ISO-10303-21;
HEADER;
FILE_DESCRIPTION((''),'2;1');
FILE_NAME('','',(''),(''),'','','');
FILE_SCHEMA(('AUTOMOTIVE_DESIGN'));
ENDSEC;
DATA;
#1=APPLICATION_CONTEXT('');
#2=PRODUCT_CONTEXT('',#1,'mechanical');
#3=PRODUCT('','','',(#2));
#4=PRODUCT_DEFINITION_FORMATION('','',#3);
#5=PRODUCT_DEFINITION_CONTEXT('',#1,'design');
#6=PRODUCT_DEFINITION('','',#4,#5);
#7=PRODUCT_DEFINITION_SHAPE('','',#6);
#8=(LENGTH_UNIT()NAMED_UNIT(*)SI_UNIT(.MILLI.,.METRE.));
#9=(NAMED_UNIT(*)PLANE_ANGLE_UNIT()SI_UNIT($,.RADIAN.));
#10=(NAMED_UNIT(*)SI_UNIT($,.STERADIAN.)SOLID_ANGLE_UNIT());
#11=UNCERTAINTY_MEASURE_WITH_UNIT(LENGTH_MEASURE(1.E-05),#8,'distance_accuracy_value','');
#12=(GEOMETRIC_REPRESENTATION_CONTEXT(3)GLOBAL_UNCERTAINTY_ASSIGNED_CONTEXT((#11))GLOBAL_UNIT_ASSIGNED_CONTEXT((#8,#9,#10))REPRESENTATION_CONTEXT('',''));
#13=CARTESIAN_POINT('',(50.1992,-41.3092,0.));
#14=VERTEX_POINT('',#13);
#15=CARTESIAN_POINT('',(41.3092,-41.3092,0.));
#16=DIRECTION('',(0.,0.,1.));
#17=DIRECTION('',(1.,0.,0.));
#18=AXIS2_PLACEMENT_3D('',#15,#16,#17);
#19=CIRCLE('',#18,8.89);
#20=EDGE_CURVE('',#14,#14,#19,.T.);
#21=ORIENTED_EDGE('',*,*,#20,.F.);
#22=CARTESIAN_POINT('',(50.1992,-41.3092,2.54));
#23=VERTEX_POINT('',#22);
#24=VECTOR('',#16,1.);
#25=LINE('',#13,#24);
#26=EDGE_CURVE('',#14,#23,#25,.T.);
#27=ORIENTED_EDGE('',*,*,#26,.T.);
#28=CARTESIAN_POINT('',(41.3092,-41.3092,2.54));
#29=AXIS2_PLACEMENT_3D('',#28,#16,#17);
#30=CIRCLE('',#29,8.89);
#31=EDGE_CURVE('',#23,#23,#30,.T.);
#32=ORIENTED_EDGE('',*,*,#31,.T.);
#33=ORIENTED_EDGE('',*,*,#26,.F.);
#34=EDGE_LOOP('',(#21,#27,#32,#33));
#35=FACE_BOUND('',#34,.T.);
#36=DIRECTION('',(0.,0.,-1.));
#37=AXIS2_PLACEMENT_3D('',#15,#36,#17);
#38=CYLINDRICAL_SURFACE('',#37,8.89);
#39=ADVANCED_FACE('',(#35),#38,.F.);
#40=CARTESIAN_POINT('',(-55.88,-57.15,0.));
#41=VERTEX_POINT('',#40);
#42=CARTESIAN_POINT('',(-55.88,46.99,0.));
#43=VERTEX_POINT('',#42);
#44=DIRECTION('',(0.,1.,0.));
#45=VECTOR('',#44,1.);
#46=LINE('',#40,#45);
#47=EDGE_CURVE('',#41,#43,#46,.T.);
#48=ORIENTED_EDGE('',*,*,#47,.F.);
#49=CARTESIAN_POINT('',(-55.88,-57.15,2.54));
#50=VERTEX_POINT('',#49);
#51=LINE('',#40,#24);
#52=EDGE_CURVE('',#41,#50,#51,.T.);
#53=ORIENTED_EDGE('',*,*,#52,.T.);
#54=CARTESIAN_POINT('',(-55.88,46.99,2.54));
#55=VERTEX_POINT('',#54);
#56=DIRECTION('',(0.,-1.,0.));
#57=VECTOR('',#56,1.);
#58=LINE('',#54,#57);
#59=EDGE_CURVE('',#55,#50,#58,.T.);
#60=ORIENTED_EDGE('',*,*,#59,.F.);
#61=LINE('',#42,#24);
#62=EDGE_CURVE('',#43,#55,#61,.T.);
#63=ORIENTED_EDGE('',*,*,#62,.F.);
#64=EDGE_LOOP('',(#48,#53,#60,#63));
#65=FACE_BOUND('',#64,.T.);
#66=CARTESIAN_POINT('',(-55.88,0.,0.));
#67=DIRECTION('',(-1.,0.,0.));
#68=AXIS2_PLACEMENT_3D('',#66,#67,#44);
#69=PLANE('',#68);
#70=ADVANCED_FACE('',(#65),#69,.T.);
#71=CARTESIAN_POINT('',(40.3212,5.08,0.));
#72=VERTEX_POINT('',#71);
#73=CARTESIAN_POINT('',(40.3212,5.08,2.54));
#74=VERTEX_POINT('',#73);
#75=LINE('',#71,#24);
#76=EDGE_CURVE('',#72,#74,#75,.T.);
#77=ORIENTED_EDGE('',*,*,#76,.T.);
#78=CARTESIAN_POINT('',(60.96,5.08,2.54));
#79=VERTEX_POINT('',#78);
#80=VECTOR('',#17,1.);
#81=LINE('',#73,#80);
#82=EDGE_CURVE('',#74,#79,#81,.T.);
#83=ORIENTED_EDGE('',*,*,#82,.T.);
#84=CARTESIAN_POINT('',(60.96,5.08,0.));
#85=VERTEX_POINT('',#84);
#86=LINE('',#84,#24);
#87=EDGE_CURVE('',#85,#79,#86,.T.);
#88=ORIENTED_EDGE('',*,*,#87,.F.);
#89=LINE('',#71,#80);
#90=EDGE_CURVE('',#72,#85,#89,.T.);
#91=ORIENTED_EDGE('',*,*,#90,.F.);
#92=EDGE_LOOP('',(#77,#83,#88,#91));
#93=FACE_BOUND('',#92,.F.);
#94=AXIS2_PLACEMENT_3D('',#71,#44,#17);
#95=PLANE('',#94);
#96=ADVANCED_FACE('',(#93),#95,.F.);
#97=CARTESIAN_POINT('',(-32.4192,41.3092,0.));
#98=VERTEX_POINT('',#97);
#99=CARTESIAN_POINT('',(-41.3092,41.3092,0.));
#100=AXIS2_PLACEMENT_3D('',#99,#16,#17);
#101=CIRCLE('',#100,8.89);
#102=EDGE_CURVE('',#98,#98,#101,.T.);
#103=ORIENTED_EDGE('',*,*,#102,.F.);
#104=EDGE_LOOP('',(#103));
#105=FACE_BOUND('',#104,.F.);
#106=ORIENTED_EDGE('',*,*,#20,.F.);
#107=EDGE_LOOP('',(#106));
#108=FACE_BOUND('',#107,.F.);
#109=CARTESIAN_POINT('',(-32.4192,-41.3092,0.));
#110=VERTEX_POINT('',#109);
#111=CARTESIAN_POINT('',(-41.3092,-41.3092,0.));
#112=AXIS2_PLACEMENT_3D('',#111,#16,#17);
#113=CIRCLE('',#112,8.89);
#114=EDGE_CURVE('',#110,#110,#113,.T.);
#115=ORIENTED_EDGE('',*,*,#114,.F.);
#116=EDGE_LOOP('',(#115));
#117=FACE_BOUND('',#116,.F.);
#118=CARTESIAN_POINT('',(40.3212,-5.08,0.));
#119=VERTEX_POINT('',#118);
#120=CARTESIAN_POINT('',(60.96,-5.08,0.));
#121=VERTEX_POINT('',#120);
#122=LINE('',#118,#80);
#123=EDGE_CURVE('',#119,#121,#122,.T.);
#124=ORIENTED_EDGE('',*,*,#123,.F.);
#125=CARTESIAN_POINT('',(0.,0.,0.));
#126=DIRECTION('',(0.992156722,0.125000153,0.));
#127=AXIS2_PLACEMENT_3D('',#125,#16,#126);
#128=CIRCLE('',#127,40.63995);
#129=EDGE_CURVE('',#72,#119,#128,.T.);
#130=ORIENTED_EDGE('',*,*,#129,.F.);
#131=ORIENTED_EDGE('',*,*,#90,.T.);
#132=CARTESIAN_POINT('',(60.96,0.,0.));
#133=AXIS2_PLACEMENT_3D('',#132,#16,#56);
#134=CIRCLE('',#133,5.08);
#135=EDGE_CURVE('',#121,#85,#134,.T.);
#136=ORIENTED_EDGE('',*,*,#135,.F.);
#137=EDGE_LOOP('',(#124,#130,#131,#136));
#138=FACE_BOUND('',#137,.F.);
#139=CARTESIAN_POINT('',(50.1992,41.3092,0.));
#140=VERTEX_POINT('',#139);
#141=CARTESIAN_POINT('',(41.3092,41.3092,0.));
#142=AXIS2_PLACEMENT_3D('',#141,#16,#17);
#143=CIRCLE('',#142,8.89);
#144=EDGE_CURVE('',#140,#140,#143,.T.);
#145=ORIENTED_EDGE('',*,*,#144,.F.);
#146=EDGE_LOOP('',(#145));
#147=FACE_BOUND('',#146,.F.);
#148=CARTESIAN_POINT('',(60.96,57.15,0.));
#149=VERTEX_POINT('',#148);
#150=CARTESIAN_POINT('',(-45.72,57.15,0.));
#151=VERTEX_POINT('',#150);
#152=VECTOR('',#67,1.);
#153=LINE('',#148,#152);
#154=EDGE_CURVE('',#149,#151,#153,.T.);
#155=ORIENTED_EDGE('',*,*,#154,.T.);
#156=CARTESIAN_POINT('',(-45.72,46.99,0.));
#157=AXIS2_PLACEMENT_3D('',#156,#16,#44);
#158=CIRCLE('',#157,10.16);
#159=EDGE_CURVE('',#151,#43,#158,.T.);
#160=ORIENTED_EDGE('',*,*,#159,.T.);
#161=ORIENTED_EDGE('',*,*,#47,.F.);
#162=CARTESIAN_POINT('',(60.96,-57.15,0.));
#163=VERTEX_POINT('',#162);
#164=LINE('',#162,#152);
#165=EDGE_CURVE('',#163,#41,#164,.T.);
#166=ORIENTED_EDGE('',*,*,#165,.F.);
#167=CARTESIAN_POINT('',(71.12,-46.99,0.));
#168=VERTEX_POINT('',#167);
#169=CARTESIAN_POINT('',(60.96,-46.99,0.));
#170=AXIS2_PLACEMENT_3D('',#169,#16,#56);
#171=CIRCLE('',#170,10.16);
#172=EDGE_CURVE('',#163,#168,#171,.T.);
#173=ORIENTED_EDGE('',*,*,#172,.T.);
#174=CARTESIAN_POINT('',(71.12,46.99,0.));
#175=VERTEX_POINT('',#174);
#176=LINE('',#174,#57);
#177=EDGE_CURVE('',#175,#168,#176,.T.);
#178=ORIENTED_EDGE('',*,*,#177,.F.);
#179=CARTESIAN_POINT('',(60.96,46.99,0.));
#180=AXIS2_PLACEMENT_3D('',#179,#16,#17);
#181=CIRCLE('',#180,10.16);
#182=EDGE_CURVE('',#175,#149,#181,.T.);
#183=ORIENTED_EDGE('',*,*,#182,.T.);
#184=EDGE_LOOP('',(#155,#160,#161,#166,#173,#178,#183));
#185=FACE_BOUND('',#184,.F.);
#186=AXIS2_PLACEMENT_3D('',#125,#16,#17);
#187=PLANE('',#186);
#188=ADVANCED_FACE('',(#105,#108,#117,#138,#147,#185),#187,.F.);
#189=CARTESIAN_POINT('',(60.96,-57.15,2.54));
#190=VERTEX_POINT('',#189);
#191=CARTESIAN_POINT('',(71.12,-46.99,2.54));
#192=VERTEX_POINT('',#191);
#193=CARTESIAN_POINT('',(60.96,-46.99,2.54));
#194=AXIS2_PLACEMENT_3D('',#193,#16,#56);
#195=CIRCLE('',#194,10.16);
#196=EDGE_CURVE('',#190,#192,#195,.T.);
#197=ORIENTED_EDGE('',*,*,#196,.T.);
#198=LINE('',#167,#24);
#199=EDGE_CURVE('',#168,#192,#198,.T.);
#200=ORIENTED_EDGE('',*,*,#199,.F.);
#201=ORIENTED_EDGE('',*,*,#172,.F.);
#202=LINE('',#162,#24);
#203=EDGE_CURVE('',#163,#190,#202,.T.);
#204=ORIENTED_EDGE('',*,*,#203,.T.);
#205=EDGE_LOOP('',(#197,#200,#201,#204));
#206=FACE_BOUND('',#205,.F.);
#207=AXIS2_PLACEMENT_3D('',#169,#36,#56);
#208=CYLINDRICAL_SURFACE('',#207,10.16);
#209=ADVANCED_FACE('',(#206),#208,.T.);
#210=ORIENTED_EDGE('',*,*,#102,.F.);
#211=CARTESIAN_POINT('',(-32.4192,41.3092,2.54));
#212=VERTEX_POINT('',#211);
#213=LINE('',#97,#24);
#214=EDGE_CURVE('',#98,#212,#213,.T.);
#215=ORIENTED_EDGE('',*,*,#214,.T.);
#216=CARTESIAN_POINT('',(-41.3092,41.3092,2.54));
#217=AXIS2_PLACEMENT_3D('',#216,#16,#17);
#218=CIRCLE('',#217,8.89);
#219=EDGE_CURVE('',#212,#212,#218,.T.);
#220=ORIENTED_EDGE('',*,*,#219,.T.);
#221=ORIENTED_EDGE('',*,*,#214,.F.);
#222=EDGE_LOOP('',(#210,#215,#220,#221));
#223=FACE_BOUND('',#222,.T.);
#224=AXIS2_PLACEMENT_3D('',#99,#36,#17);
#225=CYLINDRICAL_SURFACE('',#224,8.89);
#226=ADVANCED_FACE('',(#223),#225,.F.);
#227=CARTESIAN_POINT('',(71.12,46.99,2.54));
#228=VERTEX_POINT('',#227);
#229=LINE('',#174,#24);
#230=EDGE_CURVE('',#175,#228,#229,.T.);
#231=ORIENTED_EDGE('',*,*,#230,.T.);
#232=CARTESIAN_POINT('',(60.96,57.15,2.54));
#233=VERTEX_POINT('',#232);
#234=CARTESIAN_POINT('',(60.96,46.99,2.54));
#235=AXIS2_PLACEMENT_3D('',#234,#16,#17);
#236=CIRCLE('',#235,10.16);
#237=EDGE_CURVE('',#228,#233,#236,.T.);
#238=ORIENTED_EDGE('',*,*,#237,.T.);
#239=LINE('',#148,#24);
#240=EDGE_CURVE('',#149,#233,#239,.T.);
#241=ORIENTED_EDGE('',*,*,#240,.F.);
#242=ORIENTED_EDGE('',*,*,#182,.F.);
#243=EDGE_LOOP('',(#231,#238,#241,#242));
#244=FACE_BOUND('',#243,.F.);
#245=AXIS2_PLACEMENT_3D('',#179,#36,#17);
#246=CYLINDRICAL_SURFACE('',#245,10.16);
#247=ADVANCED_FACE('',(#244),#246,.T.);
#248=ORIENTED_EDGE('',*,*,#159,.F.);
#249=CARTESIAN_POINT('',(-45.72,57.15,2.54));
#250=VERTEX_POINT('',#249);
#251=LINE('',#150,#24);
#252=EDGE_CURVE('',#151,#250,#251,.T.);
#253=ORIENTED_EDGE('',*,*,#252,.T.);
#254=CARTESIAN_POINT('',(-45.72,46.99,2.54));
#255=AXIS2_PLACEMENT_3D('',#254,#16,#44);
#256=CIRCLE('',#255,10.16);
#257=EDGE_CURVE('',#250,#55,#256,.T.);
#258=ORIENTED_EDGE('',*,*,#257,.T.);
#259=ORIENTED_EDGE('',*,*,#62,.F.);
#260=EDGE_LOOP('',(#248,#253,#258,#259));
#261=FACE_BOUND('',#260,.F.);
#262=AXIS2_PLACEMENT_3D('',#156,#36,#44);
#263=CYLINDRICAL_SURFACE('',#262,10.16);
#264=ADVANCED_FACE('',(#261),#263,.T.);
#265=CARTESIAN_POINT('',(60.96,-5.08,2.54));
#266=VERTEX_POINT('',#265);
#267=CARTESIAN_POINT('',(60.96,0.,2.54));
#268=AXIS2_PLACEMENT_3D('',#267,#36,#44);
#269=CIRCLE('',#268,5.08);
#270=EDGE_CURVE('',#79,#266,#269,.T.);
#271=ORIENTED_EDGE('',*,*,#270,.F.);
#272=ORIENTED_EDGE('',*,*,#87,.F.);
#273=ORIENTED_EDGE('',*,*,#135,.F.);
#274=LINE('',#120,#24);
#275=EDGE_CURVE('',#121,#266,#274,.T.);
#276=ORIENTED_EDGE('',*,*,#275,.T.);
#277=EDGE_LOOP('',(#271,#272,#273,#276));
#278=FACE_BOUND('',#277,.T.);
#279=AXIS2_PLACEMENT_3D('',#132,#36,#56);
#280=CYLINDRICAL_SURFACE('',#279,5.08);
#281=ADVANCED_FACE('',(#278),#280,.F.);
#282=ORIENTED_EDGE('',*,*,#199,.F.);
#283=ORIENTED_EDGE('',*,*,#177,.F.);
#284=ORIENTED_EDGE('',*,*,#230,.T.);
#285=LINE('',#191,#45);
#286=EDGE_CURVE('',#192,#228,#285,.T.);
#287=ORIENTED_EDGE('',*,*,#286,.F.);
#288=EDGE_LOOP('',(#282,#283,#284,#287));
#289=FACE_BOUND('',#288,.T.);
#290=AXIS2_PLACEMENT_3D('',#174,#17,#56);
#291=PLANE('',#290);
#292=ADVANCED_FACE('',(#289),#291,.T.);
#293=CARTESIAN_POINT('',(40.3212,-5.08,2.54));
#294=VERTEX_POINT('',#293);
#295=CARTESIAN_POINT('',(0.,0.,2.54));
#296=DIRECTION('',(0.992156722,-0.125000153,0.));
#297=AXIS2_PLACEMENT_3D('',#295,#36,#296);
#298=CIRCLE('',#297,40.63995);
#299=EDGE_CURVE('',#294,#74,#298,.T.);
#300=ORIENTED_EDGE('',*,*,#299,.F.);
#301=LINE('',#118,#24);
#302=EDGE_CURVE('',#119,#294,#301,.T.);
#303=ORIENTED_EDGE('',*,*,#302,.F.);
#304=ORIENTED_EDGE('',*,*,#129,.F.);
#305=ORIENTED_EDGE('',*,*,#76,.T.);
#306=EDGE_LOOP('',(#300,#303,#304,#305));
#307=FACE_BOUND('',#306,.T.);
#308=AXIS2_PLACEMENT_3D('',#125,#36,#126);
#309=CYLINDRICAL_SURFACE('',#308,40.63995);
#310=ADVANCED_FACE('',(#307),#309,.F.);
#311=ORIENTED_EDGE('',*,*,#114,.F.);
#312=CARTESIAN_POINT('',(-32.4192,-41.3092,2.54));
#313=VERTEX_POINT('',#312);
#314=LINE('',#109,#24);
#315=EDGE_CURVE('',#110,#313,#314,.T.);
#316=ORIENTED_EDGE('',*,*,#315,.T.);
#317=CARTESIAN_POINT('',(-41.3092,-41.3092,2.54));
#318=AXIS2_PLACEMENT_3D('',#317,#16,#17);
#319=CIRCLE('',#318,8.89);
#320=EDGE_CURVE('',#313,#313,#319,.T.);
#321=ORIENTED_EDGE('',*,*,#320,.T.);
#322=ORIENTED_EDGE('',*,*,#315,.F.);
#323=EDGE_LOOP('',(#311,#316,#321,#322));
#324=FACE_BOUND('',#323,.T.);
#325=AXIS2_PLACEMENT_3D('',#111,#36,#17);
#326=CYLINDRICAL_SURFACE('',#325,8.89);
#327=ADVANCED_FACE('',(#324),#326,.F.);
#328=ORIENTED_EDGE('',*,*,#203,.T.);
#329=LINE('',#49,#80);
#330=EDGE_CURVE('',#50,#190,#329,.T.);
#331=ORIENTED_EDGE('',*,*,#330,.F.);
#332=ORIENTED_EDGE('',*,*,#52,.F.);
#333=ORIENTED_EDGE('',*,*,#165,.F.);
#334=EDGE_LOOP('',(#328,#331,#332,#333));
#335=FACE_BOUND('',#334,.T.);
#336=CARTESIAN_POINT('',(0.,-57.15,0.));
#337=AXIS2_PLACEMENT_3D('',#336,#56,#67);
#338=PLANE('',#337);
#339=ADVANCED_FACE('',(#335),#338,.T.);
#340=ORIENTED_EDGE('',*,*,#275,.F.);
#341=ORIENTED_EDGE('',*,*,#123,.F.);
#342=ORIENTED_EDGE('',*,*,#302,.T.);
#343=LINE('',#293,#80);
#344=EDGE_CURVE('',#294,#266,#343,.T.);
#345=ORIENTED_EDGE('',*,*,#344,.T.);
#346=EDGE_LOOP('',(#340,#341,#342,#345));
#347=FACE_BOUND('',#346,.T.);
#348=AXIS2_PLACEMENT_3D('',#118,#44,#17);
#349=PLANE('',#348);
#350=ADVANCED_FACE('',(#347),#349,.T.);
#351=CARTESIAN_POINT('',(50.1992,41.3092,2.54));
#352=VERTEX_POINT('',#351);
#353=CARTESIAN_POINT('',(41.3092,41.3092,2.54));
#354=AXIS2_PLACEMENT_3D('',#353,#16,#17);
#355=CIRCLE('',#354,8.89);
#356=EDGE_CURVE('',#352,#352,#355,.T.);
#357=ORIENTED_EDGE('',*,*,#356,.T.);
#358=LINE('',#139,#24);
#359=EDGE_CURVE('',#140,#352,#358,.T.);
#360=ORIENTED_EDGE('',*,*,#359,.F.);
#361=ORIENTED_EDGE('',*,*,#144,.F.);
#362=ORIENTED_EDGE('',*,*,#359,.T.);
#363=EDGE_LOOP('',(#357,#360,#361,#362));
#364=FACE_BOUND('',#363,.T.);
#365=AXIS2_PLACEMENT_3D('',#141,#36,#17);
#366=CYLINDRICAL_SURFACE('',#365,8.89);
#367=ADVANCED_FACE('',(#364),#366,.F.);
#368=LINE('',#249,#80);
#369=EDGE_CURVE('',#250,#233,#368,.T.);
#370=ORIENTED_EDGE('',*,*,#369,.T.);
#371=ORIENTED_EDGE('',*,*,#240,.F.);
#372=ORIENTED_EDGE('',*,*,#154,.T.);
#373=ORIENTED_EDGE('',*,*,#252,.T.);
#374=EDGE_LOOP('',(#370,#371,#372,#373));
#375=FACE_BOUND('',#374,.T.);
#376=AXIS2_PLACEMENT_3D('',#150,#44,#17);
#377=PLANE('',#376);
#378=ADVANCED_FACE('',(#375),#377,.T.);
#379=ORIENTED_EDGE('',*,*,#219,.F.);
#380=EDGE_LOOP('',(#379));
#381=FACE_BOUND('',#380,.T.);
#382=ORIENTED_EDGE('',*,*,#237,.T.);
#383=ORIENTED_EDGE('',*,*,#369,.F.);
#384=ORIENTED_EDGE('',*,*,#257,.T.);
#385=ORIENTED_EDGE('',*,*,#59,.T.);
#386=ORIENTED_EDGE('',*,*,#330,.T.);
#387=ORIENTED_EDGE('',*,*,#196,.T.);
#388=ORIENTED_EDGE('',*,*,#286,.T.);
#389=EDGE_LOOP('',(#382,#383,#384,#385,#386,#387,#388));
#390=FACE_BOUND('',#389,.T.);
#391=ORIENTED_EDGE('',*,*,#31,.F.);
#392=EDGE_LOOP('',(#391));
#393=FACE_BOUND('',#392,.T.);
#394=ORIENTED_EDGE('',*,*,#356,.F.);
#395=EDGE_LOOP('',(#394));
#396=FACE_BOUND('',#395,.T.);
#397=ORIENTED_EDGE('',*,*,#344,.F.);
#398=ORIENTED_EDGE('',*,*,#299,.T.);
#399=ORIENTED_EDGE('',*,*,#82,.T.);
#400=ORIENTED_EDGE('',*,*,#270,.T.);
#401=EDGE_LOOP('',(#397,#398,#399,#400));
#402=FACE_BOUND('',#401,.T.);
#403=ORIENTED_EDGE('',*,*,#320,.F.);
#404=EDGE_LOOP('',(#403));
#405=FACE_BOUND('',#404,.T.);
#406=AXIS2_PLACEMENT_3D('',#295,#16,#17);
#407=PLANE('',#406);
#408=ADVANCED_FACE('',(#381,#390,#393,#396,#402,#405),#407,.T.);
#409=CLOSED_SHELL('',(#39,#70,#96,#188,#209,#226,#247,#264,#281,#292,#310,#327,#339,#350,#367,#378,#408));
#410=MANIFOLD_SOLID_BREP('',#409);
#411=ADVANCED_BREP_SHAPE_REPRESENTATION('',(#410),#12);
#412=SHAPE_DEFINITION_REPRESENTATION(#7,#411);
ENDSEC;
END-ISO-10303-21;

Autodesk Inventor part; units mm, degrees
ref_plane "YZ Plane" through (0, 0, 0) normal (1, 0, 0) x (0, 1, 0)
ref_plane "XZ Plane" through (0, 0, 0) normal (0, 1, 0) x (-1, 0, 0)
ref_plane "XY Plane" through (0, 0, 0) normal (0, 0, 1) x (1, 0, 0)
sketch "Sketch1" plane through (0, 0, 0) normal (0, 0, 1) x (1, 0, 0)
  line L0 (-45.72, 57.15) -> (60.96, 57.15)
  line L1 (71.12, 46.99) -> (71.12, -46.99)
  line L2 (60.96, -57.15) -> (-55.88, -57.15)
  line L3 (-55.88, -57.15) -> (-55.88, 46.99)
  line L4 (-84.7488, 0) -> (99.553, 0) projected
  line L5 (0, -82.9559) -> (0, 82.9559) projected
  arc A0 (40.3212, 5.08) -> (40.3212, -5.08) centre (0, 0) ccw
  circle A1 centre (0, 0) radius 58.42 construction
  arc A2 (-45.72, 57.15) -> (-55.88, 46.99) centre (-45.72, 46.99) ccw
  arc A3 (71.12, 46.99) -> (60.96, 57.15) centre (60.96, 46.99) ccw
  arc A4 (60.96, -57.15) -> (71.12, -46.99) centre (60.96, -46.99) ccw
  line L6 (0, 0) -> (-50.4247, 50.4247) construction
  circle A5 centre (-41.3092, 41.3092) radius 8.89
  line L7 (0, 0) -> (-50.4247, -50.4247) construction
  circle A6 centre (-41.3092, -41.3092) radius 8.89
  line L8 (0, 0) -> (50.4247, -50.4247) construction
  circle A7 centre (41.3092, -41.3092) radius 8.89
  line L9 (0, 0) -> (50.4247, 50.4247) construction
  circle A8 centre (41.3092, 41.3092) radius 8.89
  arc A9 (60.96, -5.08) -> (60.96, 5.08) centre (60.96, 0) ccw
  line L10 (40.3212, 5.08) -> (60.96, 5.08)
  line L11 (40.3212, -5.08) -> (60.96, -5.08)
  point P0 (71.12, -57.15)
  point P1 (71.12, 57.15)
  point P2 (71.12, 0)
  dimension "d4" = 116.84
  dimension "d0" = 127
  dimension "d1" = 114.3
  dimension "d2" = 55.88
  dimension "d3" = 81.28
  dimension "d5" = 10.16
  dimension "d6" = 45
  dimension "d7" = 17.78
  dimension "d10" = 360
  dimension "d12" = 10.16
  dimension "d13" = 10.16
  dimension "d14" = 60.96
extrude "Extrusion1" add sketch "Sketch1" along normal blind 2.54 contours L0 L5 A0 L4 L3 A2 | L0 A3 L1 L4 A9 L10 A0 L5 | L4 A0 L5 L2 L3 | L1 A4 L2 L5 A0 L11 A9 L4
equation "\"BendRadius\" = Thickness"
equation "\"BendReliefWidth\" = Thickness"
equation "\"BendReliefDepth\" = 0.5 * Thickness"
equation "\"CornerReliefSize\" = 4 * Thickness"
equation "\"MinimumRemnant\" = 2 * Thickness"
equation "\"TransitionRadius\" = BendRadius"
equation "\"JacobiRadiusSize\" = BendRadius"
equation "\"GapSize\" = Thickness"
equation "\"Thickness\" = 3.048"
properties part number "cylinder head gasket" material "Rubber"
